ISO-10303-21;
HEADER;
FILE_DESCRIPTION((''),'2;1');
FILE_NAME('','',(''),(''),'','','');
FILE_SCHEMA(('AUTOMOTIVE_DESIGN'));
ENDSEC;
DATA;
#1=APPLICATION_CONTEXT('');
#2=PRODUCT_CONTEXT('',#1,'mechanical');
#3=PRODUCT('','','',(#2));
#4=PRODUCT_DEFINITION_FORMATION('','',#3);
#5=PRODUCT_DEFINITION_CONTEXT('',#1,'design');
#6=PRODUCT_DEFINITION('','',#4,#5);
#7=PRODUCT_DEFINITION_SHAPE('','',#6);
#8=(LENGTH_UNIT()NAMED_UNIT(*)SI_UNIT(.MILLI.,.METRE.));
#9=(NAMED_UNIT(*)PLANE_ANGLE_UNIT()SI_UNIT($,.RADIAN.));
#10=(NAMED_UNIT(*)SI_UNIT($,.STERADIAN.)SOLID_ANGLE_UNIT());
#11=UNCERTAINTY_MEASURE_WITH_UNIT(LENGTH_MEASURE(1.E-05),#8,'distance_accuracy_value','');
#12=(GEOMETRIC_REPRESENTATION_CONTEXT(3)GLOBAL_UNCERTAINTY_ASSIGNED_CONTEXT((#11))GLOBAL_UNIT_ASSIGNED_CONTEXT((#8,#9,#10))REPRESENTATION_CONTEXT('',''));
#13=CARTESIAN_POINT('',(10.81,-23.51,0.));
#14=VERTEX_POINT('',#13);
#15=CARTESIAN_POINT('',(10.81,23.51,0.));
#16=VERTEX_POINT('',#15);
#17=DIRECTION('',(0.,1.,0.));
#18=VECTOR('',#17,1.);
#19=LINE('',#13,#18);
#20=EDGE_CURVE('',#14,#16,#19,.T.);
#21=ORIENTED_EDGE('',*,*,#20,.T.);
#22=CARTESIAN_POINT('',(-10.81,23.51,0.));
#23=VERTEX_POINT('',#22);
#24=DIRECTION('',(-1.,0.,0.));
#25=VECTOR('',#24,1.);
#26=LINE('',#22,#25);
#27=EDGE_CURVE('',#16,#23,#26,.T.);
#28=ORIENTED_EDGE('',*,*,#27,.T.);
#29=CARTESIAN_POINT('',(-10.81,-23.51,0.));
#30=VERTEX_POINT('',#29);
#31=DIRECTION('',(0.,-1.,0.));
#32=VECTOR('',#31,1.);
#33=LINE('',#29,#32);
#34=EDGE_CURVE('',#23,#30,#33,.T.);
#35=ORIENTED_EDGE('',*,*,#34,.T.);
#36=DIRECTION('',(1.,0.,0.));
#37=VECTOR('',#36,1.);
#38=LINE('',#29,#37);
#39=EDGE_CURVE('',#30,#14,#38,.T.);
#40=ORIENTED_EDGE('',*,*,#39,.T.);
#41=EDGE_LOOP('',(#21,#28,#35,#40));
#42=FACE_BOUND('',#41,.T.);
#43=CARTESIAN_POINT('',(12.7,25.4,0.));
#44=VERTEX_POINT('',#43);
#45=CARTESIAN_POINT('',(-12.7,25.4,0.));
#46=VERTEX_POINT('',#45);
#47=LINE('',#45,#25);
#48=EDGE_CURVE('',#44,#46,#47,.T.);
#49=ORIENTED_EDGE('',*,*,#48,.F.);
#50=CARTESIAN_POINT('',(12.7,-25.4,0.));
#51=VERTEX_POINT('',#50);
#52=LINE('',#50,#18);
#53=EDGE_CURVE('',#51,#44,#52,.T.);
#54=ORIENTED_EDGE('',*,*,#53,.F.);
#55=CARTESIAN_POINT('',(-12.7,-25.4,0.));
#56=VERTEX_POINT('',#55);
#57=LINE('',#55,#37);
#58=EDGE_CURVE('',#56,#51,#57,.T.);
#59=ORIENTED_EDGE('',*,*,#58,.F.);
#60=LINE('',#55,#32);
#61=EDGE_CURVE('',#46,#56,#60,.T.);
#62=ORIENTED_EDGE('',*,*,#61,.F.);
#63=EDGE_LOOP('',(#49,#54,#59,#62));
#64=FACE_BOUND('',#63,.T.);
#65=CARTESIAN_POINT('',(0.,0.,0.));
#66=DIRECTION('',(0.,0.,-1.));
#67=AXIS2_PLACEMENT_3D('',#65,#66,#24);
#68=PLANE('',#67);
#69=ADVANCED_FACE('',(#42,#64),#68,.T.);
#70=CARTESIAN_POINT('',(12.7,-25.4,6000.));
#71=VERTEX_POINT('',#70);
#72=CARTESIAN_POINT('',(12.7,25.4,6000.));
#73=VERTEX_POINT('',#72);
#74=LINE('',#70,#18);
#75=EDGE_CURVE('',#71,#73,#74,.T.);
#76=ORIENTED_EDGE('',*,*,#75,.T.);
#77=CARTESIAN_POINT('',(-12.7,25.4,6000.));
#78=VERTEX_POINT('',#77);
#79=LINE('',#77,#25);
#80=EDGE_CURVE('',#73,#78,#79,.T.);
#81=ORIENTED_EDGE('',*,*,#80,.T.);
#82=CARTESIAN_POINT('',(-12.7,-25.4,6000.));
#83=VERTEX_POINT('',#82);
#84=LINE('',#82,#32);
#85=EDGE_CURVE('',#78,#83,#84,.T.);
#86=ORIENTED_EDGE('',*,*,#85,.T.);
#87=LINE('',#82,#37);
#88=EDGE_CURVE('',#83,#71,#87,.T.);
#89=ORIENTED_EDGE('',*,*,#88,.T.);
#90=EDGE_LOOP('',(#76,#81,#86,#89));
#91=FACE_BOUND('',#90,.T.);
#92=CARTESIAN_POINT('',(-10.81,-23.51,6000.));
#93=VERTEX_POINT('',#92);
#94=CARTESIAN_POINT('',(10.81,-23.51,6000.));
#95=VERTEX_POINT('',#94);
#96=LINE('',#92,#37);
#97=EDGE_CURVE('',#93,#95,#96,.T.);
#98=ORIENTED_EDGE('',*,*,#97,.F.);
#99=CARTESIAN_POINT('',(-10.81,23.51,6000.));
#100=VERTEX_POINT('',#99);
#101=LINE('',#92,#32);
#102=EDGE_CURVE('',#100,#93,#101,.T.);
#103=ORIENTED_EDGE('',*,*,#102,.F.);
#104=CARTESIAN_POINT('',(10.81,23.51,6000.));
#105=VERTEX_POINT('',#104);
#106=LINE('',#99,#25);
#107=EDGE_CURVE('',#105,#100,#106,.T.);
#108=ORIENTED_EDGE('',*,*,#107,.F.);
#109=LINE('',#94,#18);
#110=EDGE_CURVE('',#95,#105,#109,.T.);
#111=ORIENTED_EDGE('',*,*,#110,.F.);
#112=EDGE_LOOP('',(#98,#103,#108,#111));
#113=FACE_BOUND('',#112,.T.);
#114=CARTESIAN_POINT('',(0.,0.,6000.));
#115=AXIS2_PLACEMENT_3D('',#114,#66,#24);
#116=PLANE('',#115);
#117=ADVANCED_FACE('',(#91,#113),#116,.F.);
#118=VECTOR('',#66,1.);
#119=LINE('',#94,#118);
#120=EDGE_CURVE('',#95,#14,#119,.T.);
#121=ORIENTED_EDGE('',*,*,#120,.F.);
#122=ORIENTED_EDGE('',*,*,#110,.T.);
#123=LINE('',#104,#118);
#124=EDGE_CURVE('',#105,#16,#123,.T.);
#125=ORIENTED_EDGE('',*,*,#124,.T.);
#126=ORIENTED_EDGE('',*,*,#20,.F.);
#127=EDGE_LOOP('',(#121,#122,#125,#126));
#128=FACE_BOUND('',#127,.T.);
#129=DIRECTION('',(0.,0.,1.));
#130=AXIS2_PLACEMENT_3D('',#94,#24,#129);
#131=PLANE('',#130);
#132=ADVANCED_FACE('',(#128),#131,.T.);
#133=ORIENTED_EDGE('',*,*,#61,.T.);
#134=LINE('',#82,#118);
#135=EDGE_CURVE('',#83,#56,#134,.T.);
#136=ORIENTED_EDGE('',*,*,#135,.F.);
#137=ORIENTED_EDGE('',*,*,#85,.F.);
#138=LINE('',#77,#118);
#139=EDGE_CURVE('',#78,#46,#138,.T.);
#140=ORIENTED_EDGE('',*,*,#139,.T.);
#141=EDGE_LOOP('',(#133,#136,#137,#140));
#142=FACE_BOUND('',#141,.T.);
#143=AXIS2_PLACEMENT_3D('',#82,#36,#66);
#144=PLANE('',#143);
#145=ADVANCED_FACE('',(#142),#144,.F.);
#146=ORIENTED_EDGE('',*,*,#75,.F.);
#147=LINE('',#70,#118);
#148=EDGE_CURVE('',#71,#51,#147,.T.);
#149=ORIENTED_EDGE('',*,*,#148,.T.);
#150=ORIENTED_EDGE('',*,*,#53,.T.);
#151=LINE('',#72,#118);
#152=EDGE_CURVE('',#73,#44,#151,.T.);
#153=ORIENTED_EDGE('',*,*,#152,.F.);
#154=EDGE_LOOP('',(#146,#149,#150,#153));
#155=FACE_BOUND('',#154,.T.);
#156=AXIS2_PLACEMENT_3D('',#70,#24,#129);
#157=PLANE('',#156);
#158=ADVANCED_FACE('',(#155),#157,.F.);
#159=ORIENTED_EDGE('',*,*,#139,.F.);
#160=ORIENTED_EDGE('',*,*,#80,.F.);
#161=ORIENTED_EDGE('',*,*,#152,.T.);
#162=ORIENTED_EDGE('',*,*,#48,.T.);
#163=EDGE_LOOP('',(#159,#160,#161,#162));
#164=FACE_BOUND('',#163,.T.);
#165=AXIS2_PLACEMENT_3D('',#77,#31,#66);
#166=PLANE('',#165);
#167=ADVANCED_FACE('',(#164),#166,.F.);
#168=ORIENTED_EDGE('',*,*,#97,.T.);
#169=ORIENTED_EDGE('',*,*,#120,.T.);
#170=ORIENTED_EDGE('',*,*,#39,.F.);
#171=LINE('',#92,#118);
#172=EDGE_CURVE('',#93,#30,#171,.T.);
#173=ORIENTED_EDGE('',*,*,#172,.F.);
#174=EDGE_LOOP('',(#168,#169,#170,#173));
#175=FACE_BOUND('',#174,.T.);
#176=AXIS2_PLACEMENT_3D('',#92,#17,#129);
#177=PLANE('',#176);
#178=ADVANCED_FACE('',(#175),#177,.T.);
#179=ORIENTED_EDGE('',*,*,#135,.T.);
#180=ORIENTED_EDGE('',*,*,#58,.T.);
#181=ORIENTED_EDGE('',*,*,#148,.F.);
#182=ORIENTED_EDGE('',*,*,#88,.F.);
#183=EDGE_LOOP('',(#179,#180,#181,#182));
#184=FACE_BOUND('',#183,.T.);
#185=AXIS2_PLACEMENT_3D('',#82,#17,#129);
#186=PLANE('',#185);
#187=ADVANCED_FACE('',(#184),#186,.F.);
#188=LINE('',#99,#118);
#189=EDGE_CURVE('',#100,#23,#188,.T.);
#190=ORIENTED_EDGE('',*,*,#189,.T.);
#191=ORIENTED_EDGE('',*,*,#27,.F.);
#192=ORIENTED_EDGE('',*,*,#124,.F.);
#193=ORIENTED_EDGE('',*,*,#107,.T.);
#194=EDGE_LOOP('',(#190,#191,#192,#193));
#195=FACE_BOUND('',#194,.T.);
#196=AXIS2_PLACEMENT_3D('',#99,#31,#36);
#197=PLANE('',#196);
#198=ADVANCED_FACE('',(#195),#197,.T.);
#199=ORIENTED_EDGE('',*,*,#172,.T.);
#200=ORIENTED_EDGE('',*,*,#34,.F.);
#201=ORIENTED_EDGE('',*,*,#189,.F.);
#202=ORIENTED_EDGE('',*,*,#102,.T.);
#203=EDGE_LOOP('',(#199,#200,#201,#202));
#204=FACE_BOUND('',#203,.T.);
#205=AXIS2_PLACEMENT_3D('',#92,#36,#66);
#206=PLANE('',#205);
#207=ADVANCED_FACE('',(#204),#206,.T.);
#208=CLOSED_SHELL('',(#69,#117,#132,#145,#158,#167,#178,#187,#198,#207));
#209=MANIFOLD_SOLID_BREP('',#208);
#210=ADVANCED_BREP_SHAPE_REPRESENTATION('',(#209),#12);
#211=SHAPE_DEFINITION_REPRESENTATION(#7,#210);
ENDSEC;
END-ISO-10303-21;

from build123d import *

# Parameters (mm, degrees)
CROQUIS1_W              = 25.4
CROQUIS1_H              = 50.8
CROQUIS1_W_2            = 21.62
CROQUIS1_H_2            = 47.02
SALIENTE_EXTRUIR1_DEPTH = 6000


with BuildPart() as part:
    # Croquis1 → Saliente-Extruir1 (new body)
    with BuildSketch(Plane.XY):
        Rectangle(CROQUIS1_W, CROQUIS1_H)
        Rectangle(CROQUIS1_W_2, CROQUIS1_H_2, mode=Mode.SUBTRACT)
    extrude(amount=SALIENTE_EXTRUIR1_DEPTH)


solid = part.part
